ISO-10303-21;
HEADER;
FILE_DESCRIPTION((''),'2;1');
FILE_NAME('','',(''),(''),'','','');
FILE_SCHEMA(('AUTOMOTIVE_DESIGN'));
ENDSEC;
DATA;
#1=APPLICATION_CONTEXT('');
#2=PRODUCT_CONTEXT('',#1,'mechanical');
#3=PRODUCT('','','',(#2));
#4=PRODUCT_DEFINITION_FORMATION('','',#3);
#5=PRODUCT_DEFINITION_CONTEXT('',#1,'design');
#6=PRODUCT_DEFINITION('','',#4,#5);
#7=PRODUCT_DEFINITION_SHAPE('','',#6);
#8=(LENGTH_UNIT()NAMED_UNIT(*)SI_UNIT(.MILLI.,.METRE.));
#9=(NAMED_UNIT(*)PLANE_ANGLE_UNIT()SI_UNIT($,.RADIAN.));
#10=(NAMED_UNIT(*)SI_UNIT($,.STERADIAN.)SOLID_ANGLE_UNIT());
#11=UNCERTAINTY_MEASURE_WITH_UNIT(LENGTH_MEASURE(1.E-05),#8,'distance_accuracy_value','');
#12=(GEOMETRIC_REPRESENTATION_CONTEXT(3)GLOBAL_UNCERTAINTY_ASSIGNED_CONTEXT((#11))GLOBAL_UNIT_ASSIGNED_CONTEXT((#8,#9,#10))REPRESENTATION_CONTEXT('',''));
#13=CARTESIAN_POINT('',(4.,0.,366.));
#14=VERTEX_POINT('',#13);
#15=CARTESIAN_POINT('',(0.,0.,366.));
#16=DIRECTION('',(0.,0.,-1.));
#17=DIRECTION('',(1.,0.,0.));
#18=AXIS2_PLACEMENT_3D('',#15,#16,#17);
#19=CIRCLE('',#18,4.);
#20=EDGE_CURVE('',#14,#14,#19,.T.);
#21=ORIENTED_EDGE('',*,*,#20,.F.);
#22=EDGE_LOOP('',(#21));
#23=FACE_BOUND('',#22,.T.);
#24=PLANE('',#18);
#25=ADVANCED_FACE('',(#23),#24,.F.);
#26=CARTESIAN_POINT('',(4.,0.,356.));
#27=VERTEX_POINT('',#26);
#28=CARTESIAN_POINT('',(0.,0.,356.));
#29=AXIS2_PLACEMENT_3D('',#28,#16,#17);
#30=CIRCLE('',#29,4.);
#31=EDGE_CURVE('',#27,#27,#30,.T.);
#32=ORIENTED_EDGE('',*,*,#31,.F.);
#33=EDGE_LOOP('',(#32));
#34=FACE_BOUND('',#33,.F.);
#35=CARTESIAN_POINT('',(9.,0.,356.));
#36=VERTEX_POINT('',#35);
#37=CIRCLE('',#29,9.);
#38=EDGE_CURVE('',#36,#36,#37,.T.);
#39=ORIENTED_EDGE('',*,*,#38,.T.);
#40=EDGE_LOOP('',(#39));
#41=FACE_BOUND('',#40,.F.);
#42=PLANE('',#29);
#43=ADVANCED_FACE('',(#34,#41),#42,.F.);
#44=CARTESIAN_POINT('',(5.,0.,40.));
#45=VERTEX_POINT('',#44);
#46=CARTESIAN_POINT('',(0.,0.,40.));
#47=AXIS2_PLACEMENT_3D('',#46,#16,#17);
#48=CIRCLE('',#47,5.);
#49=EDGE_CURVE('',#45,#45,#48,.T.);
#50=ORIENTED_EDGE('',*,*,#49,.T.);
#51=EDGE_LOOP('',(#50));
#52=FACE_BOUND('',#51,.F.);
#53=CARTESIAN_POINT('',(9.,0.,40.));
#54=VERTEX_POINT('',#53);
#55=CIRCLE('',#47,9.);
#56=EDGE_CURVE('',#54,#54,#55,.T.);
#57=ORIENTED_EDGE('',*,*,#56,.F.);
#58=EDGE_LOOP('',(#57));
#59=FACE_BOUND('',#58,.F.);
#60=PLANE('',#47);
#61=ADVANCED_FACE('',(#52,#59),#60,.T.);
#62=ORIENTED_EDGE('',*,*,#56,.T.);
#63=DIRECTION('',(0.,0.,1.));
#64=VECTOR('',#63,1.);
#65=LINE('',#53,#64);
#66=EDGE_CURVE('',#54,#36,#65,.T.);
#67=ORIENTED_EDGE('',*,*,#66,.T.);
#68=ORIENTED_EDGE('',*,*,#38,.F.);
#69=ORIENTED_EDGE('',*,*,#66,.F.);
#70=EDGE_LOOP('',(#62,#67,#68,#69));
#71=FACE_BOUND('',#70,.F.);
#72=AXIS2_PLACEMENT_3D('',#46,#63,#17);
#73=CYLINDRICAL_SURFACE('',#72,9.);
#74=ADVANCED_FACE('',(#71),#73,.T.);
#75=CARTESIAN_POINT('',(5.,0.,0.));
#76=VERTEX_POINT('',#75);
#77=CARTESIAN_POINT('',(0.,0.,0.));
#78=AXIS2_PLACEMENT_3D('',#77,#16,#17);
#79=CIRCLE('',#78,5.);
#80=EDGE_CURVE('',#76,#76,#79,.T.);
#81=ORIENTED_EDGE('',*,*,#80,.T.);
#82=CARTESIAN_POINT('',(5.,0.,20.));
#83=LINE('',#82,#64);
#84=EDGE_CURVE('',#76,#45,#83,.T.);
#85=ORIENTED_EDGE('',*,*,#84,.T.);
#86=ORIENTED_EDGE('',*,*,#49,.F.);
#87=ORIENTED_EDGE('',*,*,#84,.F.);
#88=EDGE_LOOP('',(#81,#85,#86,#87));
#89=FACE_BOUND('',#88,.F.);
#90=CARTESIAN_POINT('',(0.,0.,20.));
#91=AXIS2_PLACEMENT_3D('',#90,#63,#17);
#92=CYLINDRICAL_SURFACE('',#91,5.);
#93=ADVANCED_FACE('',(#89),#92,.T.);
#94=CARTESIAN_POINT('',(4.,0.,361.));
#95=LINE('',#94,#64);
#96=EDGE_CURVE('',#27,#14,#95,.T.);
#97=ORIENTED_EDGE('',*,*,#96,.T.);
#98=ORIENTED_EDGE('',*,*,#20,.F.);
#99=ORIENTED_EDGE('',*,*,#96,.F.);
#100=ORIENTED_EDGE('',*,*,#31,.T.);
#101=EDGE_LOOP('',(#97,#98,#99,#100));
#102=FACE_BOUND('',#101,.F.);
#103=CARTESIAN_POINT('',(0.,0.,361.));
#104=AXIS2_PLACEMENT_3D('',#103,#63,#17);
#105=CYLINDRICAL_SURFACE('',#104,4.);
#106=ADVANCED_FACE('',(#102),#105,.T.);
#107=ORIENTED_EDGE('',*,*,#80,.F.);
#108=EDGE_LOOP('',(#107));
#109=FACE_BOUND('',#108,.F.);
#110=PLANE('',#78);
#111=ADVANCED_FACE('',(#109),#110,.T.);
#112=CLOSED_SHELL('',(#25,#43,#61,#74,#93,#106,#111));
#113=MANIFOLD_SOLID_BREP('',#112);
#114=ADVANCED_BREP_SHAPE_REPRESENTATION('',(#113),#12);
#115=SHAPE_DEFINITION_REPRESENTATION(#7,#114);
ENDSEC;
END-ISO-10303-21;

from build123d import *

# Parameters (mm, degrees)
F0_W   = 4
F0_H   = 10
F0_W_2 = 5
F0_H_2 = 40


with BuildPart() as f1:
    # F0 (on Front) → F1 (revolve)
    with BuildSketch(Plane.XZ):
        with Locations((2, 361)):
            Rectangle(F0_W, F0_H)
        Polygon((0, 356), (0, 40), (5, 40), (9, 40), (9, 356), (4, 356), align=None)
        with Locations((2.5, 20)):
            Rectangle(F0_W_2, F0_H_2)
    revolve(axis=Axis((0, 0, 183), (0, 0, -1)))


solid = f1.part
